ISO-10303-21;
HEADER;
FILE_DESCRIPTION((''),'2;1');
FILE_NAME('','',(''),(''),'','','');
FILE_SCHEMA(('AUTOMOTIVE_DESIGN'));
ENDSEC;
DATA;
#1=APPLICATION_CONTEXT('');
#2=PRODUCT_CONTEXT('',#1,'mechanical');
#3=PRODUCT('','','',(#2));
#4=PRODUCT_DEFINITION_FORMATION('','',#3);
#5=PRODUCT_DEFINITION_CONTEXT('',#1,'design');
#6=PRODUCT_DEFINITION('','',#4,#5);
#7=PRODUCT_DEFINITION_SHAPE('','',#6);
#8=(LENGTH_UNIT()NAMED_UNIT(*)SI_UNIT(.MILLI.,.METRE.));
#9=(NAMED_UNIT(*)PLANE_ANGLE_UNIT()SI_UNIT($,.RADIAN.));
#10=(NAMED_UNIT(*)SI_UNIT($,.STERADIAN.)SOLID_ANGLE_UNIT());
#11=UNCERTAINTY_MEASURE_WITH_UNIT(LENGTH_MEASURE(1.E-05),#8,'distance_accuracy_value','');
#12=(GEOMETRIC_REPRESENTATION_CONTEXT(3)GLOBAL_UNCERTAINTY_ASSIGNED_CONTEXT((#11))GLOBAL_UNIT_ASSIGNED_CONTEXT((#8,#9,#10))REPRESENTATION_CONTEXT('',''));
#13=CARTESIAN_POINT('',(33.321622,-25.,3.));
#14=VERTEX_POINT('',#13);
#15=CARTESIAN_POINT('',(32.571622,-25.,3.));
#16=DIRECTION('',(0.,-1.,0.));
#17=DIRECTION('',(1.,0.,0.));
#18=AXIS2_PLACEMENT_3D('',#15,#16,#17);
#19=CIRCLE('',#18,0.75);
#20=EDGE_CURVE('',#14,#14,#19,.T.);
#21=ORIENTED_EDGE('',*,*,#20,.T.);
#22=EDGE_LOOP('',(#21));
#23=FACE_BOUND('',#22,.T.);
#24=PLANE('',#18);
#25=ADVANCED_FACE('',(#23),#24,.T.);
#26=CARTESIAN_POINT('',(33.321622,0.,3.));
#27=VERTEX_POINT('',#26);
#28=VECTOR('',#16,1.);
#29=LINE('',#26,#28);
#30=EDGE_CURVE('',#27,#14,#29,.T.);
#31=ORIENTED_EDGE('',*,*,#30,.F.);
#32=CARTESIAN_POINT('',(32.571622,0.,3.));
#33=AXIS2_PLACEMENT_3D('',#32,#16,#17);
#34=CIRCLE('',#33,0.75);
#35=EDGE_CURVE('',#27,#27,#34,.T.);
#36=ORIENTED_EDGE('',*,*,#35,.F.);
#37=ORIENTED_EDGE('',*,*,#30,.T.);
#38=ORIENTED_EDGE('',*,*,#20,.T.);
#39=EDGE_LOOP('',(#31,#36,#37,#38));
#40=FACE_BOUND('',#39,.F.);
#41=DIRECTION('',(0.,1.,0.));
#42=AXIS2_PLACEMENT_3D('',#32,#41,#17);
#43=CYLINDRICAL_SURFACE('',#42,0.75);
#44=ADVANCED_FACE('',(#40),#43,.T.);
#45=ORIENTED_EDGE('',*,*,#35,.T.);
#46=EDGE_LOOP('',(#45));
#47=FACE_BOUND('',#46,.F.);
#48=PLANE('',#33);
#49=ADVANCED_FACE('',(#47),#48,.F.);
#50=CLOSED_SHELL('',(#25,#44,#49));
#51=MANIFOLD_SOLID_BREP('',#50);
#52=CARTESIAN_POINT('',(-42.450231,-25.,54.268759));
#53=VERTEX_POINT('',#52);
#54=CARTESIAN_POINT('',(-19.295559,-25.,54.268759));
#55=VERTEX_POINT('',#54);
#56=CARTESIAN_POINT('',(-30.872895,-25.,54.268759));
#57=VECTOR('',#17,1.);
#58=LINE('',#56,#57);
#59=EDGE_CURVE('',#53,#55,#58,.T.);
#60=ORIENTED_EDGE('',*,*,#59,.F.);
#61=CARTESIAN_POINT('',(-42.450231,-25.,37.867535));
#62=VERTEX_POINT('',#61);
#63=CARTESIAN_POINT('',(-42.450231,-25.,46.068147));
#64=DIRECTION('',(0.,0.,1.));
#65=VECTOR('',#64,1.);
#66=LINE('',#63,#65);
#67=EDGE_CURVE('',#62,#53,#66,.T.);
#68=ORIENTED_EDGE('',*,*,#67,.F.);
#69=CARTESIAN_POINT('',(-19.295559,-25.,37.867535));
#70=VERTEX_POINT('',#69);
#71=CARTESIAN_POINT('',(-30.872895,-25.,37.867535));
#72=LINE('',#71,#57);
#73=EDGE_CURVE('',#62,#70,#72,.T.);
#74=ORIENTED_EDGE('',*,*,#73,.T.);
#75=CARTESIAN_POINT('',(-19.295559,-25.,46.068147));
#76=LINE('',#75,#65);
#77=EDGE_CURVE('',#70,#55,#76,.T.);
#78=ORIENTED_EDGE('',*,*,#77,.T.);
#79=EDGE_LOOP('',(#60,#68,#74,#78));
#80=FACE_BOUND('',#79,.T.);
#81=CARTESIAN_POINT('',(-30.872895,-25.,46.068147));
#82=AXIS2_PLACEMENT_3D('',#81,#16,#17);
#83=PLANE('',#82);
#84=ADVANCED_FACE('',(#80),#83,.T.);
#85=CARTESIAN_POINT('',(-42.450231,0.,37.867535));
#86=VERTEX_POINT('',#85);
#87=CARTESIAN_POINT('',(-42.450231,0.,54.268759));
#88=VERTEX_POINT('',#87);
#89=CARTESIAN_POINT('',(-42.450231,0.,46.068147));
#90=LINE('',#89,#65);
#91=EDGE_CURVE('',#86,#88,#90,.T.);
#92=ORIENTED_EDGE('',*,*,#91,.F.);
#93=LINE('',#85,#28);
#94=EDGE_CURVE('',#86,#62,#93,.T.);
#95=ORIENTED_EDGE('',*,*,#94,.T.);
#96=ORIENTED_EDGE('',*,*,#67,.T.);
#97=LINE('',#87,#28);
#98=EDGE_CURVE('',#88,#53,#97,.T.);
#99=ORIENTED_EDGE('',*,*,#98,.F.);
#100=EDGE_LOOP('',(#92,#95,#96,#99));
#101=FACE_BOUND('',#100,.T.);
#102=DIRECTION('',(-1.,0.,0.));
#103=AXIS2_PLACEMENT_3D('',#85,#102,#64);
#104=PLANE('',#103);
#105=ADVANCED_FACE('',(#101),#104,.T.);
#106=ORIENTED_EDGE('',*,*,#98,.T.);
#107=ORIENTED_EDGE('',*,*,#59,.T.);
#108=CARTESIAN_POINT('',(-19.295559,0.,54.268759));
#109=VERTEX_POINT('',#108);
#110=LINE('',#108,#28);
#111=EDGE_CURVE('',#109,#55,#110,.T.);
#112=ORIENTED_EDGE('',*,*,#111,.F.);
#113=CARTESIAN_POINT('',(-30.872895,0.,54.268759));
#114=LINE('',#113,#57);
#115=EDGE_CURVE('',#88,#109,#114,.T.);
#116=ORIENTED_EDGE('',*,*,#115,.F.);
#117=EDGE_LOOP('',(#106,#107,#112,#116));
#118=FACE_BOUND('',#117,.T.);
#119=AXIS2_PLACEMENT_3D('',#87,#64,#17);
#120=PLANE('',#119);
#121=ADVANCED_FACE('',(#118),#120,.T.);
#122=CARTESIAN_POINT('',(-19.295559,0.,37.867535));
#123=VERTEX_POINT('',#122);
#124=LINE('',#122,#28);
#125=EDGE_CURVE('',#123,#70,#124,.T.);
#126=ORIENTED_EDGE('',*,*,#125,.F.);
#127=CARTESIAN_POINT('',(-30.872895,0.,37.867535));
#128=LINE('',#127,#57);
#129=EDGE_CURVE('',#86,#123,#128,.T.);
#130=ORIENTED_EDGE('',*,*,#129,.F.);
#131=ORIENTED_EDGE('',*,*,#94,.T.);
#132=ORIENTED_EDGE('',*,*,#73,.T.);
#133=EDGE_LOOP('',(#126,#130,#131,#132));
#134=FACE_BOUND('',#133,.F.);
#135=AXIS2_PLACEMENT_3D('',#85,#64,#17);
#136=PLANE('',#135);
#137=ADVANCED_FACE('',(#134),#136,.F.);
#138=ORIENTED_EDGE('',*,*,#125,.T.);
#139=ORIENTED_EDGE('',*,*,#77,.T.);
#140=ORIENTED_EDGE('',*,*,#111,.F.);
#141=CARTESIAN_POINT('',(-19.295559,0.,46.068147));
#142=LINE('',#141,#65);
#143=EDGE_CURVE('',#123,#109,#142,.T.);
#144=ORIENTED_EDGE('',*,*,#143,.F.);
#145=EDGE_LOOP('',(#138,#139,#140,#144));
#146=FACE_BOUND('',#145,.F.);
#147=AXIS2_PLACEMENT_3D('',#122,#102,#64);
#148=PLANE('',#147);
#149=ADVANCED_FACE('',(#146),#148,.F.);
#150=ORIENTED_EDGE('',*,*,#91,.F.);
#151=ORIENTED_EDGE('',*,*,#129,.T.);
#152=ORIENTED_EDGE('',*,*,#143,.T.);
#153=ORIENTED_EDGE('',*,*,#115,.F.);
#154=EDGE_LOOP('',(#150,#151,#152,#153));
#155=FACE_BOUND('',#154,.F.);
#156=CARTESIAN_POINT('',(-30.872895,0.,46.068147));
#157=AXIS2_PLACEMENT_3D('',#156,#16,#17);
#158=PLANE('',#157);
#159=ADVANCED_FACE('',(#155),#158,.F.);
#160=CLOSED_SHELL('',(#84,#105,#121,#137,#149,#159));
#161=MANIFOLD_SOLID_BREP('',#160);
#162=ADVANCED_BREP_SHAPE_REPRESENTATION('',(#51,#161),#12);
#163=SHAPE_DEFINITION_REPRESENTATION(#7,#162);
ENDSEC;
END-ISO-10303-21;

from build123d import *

# Parameters (mm, degrees)
F0_W     = 23.154671
F0_H     = 16.401224
F1_DEPTH = 25


with BuildPart() as f1:
    # F0 (on Front) → F1 (new body)
    with BuildSketch(Plane.XZ):
        with BuildLine():
            ThreePointArc((31.821622, 3), (32.571622, 2.25), (33.321622, 3))
            ThreePointArc((33.321622, 3), (32.571622, 3.75), (31.821622, 3))
        make_face()
        with Locations((-30.872895, 46.068147)):
            Rectangle(F0_W, F0_H)
    extrude(amount=F1_DEPTH)


solid = f1.part
